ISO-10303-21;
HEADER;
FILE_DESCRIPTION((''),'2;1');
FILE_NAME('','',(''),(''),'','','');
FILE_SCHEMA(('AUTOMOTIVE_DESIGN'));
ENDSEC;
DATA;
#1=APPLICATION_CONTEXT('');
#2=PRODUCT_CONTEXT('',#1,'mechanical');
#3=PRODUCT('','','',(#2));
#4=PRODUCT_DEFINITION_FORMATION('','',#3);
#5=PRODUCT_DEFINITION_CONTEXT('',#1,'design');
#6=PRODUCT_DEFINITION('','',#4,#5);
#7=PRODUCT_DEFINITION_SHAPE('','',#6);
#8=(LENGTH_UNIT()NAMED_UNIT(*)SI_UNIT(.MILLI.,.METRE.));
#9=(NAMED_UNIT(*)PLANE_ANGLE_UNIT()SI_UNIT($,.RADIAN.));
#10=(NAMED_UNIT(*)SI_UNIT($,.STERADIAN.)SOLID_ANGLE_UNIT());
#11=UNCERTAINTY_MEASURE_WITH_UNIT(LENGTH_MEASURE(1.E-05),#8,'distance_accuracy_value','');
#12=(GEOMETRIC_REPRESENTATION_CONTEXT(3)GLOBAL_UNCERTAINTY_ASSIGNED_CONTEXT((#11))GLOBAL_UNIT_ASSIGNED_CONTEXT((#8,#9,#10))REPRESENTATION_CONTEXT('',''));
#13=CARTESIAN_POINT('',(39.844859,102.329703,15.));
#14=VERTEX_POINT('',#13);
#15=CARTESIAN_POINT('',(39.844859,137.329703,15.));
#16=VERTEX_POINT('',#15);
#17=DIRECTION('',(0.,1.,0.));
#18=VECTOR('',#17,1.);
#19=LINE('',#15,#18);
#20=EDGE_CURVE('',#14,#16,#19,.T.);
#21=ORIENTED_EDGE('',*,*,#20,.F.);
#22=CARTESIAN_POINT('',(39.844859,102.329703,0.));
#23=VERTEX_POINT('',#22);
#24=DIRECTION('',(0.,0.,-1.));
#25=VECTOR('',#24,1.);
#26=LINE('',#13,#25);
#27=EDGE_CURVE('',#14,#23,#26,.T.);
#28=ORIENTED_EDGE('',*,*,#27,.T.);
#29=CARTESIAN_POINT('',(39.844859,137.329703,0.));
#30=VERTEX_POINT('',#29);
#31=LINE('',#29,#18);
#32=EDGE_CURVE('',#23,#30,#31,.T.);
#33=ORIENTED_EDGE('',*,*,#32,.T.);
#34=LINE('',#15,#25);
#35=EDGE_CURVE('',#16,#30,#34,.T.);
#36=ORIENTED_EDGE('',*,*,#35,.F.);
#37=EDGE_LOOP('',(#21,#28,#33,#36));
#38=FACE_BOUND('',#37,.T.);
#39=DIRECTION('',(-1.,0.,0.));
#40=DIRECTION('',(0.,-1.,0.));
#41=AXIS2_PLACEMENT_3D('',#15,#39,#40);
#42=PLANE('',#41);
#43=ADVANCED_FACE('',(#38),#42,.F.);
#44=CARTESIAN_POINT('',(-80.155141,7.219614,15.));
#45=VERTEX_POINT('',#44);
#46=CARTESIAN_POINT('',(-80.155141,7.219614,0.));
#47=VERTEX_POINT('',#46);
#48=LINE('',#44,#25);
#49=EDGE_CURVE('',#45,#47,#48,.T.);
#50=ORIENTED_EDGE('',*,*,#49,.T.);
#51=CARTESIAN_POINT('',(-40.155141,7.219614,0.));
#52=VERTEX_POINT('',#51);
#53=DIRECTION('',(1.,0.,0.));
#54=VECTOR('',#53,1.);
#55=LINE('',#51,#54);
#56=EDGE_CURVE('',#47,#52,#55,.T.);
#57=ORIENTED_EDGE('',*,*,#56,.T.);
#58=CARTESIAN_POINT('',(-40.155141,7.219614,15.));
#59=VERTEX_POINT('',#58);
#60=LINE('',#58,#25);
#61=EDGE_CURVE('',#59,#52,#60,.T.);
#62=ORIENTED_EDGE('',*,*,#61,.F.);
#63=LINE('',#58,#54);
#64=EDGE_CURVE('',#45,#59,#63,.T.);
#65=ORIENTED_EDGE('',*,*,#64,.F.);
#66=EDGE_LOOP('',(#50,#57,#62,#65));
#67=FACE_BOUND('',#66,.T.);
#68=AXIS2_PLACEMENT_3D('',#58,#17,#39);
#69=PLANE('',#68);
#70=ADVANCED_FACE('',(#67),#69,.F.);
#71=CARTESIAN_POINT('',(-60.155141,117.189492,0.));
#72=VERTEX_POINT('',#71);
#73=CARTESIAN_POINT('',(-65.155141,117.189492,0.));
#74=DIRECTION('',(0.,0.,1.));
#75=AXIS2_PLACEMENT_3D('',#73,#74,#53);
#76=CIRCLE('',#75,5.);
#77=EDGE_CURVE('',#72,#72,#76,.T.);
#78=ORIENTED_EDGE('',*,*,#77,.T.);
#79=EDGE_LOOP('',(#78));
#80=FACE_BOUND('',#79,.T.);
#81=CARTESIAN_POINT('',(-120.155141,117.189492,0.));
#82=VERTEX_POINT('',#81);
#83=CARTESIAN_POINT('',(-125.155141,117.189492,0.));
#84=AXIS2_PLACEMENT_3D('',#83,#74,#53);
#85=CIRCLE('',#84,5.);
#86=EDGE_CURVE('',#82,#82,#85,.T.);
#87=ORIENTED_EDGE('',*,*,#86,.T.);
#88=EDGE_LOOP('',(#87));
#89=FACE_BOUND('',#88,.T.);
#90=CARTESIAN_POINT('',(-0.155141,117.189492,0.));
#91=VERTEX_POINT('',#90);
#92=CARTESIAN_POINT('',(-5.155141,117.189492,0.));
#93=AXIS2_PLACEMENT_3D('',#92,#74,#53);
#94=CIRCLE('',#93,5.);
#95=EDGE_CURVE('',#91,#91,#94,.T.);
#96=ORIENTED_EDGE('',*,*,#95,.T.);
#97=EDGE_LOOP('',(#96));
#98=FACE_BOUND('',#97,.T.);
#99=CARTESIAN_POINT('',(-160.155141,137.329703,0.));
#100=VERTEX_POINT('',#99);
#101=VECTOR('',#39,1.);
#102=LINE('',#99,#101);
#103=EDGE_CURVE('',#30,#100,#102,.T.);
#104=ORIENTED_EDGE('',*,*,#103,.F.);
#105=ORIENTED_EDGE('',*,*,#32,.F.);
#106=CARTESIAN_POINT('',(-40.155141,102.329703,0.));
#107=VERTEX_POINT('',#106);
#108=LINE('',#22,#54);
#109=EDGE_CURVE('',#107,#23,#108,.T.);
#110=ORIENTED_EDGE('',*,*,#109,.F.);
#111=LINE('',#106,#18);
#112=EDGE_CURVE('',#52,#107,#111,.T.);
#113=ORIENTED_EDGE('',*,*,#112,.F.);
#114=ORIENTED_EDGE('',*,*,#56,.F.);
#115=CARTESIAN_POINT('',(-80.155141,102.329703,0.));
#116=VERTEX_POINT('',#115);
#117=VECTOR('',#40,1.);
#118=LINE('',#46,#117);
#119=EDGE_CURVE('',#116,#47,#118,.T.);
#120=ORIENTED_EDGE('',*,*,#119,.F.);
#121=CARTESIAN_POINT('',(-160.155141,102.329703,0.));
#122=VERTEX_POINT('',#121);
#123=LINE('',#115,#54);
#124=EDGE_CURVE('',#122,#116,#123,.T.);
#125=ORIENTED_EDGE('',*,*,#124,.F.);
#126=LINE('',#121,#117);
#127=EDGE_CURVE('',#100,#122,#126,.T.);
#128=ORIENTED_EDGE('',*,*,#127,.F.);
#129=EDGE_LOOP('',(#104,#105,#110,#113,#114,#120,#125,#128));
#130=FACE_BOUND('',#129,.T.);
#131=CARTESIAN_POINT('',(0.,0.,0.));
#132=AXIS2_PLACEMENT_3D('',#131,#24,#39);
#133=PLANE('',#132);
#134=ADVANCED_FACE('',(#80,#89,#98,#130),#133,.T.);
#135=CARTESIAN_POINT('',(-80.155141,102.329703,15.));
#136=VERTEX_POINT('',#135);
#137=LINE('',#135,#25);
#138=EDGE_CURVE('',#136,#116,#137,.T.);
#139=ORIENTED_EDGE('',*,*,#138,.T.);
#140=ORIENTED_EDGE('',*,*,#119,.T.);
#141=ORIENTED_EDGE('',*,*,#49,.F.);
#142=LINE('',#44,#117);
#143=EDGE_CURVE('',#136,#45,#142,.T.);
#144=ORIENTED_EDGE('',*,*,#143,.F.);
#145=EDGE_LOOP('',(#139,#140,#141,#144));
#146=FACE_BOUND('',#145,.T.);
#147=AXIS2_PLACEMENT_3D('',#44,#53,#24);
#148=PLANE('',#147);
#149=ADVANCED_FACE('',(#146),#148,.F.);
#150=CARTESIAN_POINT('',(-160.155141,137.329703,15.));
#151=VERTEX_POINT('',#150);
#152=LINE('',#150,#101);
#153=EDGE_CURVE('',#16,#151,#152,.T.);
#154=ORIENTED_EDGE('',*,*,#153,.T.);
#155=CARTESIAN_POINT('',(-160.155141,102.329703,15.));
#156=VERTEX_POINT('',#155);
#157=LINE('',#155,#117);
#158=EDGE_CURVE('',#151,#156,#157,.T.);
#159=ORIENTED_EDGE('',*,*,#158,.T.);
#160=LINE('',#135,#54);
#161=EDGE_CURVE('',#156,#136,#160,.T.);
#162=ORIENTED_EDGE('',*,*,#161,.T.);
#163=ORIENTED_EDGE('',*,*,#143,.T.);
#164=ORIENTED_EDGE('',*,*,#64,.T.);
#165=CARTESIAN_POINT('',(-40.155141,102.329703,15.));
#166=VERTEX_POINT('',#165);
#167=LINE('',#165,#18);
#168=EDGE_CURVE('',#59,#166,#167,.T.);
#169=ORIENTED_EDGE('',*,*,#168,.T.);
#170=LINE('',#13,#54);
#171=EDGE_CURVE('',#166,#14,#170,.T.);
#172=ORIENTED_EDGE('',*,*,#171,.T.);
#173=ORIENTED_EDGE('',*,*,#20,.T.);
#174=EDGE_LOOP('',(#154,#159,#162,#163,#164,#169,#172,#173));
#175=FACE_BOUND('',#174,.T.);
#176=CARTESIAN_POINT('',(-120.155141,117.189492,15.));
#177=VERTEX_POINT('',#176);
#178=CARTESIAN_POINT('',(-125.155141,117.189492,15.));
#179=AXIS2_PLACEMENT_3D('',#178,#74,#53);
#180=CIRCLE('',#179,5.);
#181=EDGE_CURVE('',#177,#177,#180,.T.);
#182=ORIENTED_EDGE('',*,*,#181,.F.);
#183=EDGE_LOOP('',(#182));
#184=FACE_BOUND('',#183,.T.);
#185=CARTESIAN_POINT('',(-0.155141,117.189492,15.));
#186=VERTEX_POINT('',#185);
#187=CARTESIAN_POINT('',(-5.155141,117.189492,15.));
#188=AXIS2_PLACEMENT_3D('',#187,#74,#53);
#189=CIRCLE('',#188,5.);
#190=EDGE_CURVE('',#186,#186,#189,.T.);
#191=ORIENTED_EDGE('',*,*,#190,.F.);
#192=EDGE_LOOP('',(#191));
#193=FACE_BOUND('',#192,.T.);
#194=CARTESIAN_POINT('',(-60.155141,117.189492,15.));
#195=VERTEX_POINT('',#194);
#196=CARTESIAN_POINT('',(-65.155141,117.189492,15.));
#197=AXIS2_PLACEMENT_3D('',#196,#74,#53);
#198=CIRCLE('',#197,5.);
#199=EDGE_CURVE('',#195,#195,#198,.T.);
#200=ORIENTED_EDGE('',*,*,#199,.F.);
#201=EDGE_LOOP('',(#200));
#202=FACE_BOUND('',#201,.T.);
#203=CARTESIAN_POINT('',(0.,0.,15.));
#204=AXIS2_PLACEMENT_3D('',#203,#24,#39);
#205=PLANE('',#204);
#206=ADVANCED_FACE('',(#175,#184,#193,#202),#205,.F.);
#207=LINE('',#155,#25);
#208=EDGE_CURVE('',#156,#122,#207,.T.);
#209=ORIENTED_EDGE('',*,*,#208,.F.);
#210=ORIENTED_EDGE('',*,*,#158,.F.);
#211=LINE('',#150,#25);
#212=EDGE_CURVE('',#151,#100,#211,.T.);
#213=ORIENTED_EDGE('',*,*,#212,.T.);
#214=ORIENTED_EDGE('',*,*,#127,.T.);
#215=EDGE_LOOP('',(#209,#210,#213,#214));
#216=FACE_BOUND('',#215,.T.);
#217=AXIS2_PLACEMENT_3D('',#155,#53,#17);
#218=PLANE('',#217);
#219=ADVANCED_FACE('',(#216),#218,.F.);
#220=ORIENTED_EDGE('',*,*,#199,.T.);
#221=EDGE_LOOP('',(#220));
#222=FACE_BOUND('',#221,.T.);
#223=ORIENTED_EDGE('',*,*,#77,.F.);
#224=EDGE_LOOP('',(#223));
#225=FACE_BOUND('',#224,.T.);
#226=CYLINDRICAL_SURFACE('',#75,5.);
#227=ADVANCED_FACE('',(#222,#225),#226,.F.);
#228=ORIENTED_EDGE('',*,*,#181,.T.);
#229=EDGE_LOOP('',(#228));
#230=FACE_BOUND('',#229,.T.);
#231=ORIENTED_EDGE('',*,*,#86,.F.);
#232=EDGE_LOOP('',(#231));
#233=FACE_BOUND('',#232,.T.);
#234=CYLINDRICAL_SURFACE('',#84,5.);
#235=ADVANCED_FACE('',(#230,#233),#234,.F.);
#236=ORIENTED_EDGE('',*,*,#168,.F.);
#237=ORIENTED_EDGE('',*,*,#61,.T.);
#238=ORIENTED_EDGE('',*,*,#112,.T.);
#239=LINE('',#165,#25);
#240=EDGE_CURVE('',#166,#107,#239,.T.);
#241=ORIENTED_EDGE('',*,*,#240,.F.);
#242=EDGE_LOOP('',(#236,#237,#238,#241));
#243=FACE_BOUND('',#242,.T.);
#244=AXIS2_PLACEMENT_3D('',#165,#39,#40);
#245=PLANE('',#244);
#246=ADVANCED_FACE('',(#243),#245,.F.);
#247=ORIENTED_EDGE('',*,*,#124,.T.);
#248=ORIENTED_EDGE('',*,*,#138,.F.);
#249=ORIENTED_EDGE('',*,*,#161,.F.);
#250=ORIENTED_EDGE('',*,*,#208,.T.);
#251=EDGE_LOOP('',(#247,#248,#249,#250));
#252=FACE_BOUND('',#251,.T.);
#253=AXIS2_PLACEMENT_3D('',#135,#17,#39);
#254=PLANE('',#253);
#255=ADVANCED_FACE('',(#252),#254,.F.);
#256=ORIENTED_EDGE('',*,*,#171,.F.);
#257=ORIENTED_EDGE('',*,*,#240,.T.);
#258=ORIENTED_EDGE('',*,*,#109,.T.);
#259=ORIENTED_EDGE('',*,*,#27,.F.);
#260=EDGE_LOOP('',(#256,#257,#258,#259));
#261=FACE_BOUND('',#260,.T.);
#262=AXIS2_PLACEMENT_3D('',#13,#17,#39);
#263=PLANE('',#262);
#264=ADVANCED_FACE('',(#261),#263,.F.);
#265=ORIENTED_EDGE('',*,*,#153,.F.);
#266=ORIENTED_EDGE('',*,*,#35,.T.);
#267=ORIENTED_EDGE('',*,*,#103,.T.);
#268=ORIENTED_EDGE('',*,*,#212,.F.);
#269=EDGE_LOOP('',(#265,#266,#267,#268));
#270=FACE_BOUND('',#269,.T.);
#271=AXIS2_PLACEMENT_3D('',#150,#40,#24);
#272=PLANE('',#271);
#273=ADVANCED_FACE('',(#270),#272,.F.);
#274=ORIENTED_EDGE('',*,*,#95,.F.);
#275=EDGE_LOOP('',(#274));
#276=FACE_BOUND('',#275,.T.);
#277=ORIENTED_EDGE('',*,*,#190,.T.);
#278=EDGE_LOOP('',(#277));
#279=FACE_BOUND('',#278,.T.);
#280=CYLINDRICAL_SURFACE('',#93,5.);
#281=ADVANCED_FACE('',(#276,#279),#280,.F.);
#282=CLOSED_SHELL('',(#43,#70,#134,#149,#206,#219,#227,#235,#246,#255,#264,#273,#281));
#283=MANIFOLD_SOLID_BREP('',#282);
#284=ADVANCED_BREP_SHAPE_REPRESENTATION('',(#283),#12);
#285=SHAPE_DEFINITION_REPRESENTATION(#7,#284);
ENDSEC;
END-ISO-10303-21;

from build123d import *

# Parameters (mm, degrees)
EXTRUDE_1_DEPTH     = 15
SKETCH_2_R          = 5
CUT_EXTRUDE_1_DEPTH = 212.504412291


with BuildPart() as part:
    # 草圖1 → 填料-伸長1 (new body)
    with BuildSketch(Plane.XY):
        Polygon((-40.155141061, 7.219614063), (-80.155141061, 7.219614063), (-80.155141061, 102.329702578), (-160.155141061, 102.329702578), (-160.155141061, 137.329702578), (39.844858939, 137.329702578), (39.844858939, 102.329702578), (-40.155141061, 102.329702578), align=None)
    extrude(amount=EXTRUDE_1_DEPTH)

    # 草圖2 → 除料-伸長1 (cut, through all)
    with BuildSketch(Plane.XY.offset(15)):
        with Locations((-5.155141061, 117.189491535)):
            Circle(SKETCH_2_R)
        with Locations((-65.155141061, 117.189491535)):
            Circle(SKETCH_2_R)
        with Locations((-125.155141061, 117.189491535)):
            Circle(SKETCH_2_R)
    extrude(amount=-CUT_EXTRUDE_1_DEPTH, mode=Mode.SUBTRACT)


solid = part.part
